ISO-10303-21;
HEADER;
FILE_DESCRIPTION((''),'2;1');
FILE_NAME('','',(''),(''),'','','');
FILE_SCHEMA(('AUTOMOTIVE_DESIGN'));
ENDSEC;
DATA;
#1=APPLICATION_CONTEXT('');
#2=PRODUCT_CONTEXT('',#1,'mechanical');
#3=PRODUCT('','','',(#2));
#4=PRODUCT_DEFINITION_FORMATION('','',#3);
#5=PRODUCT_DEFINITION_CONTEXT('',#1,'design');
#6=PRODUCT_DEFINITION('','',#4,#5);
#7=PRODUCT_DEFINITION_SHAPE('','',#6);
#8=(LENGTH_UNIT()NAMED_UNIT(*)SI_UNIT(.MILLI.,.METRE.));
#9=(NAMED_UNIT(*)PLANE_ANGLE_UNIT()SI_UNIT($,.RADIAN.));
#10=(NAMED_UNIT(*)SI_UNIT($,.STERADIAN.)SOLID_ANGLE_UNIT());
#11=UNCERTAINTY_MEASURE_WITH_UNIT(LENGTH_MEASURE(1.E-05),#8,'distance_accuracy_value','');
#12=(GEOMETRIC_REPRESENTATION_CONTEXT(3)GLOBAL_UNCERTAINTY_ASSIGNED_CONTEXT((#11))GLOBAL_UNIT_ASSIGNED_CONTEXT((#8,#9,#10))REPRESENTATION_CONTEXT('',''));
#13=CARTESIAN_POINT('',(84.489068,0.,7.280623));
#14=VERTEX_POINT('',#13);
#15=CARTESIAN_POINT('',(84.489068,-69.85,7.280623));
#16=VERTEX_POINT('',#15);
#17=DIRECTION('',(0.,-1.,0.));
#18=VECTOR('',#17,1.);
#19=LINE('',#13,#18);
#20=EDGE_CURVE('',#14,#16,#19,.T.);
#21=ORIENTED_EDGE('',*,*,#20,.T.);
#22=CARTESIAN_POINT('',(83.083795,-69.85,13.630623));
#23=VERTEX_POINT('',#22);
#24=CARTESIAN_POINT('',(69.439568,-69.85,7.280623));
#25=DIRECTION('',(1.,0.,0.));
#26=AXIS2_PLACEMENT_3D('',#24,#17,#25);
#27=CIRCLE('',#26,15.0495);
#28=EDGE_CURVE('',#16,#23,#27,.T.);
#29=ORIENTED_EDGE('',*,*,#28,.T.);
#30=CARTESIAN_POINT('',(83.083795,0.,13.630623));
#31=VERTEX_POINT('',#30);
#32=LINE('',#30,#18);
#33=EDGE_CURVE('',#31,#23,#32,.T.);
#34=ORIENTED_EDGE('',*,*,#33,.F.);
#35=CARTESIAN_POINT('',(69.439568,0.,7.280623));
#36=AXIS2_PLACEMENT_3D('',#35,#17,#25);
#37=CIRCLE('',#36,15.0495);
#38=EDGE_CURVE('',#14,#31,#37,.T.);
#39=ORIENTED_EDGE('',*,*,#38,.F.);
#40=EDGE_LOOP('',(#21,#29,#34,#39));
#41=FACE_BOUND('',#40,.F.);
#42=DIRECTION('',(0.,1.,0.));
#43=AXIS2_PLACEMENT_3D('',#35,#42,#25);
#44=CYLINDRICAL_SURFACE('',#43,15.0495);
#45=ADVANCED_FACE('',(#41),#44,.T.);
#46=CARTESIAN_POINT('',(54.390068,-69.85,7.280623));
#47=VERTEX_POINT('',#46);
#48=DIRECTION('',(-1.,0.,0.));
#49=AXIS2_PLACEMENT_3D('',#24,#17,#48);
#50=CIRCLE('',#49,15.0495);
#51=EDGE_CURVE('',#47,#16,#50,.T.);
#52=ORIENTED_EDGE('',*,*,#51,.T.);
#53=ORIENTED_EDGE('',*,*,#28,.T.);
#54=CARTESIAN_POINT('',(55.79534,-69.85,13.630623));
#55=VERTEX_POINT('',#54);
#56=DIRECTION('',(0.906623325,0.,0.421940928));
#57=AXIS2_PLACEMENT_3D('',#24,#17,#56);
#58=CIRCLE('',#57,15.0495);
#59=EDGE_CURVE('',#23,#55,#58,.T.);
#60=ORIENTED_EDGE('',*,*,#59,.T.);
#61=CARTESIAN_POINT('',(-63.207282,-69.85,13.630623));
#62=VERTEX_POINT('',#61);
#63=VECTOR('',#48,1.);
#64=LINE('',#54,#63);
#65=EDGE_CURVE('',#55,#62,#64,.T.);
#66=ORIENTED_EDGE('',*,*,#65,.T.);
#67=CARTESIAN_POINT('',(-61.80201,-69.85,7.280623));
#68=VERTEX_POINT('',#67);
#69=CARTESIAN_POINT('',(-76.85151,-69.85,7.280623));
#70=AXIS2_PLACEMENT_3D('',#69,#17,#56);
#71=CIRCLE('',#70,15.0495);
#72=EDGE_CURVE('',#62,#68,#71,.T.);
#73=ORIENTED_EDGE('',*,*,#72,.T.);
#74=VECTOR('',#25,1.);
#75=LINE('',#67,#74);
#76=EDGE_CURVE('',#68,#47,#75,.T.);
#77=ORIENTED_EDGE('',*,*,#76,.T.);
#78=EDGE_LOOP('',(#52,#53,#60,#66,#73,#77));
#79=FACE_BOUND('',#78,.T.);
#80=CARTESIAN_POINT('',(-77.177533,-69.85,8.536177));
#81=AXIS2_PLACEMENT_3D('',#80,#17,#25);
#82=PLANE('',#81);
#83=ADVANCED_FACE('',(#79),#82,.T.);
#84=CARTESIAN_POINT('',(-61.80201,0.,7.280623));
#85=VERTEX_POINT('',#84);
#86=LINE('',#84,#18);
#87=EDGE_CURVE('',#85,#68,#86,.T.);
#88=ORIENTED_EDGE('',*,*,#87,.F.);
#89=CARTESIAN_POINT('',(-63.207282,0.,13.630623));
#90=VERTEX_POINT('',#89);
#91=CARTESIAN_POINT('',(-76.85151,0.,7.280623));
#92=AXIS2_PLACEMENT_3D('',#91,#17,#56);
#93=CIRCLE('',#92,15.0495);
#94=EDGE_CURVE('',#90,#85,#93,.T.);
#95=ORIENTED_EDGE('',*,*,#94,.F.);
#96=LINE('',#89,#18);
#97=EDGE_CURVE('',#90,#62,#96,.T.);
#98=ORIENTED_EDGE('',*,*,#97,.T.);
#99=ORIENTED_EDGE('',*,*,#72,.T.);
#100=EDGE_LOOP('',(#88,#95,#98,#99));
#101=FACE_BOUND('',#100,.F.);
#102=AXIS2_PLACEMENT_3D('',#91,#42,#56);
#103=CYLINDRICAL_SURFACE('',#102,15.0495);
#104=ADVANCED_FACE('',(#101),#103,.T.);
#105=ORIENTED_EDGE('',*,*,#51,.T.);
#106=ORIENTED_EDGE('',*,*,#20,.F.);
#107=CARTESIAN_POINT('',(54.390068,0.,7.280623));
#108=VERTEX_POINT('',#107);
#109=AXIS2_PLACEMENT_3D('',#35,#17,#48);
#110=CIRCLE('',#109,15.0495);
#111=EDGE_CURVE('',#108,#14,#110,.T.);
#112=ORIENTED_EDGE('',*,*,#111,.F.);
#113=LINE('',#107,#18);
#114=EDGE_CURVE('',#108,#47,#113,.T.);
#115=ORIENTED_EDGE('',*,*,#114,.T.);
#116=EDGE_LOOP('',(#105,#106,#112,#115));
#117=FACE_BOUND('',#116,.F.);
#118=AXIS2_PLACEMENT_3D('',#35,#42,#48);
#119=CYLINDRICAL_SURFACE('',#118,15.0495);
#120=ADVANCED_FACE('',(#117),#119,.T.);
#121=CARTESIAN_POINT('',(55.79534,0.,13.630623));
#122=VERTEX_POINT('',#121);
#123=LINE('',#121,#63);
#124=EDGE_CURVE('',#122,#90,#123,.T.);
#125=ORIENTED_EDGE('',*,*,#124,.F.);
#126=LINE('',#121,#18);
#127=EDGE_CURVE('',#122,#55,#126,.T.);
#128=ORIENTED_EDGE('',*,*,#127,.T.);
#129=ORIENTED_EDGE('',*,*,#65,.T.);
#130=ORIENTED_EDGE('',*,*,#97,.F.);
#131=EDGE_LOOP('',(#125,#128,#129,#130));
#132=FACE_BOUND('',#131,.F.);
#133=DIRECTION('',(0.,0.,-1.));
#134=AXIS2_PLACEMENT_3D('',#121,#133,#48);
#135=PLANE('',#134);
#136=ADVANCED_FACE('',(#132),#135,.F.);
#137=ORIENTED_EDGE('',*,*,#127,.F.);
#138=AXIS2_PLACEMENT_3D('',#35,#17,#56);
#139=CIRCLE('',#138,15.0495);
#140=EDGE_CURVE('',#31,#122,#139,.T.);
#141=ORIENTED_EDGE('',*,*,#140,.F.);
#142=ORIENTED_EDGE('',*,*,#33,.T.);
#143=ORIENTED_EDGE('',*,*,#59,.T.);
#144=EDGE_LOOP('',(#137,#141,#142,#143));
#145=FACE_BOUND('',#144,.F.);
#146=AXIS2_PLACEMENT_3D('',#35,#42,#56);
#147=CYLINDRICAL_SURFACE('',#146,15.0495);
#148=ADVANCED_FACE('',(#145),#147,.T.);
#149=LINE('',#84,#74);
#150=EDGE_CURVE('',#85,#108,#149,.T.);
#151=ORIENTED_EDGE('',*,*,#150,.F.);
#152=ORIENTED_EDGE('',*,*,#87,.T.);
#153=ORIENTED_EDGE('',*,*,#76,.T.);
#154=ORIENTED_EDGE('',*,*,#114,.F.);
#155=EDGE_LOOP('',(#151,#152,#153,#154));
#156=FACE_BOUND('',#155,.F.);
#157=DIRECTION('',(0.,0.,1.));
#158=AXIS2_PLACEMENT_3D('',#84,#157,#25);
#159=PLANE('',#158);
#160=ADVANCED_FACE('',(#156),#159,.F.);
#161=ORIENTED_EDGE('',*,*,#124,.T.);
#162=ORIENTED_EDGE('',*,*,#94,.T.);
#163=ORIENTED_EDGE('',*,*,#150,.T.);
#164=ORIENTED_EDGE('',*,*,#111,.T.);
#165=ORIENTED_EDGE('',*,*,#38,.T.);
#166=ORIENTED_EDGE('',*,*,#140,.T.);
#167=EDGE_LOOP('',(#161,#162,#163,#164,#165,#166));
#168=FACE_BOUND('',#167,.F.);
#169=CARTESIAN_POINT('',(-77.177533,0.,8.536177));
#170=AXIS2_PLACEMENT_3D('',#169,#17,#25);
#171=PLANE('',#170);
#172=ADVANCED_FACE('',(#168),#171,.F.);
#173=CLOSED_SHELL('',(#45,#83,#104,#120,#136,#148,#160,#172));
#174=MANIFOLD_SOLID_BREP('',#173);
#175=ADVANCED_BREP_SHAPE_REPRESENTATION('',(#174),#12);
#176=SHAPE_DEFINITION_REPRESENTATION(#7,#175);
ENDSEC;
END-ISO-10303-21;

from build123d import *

# Parameters (mm, degrees)
F1_DEPTH = 69.85


with BuildPart() as f1:
    # F0 (on Front) → F1 (new body)
    with BuildSketch(Plane.XZ):
        with BuildLine():
            Line((-88.0228281021, 7.2806230746), (-88.0228281021, 13.6306230746))
            Line((-88.0228281021, 13.6306230746), (-63.2072817851, 13.6306230746))
            ThreePointArc((-63.2072817851, 13.6306230746), (-91.5454922156, 4.0288047309), (-61.8020095115, 7.2806230746))
            Line((-61.8020095115, 7.2806230746), (-88.0228281021, 7.2806230746))
        make_face()
        with BuildLine():
            Line((-63.2072817851, 13.6306230746), (-88.0228281021, 13.6306230746))
            Line((-88.0228281021, 13.6306230746), (-88.0228281021, 7.2806230746))
            Line((-88.0228281021, 7.2806230746), (-61.8020095115, 7.2806230746))
            ThreePointArc((-61.8020095115, 7.2806230746), (-62.1575268073, 10.5324414184), (-63.2072817851, 13.6306230746))
        make_face()
        with BuildLine():
            Line((55.7953398991, 13.6306230746), (-63.2072817851, 13.6306230746))
            ThreePointArc((-63.2072817851, 13.6306230746), (-62.1575268073, 10.5324414184), (-61.8020095115, 7.2806230746))
            Line((-61.8020095115, 7.2806230746), (54.3900676255, 7.2806230746))
            ThreePointArc((54.3900676255, 7.2806230746), (54.7455849214, 10.5324414184), (55.7953398991, 13.6306230746))
        make_face()
        with BuildLine():
            ThreePointArc((83.0837953519, 13.6306230746), (69.4395676255, 22.3301230746), (55.7953398991, 13.6306230746))
            Line((55.7953398991, 13.6306230746), (83.0837953519, 13.6306230746))
        make_face()
        with BuildLine():
            Line((83.0837953519, 13.6306230746), (55.7953398991, 13.6306230746))
            ThreePointArc((55.7953398991, 13.6306230746), (54.7455849214, 10.5324414184), (54.3900676255, 7.2806230746))
            Line((54.3900676255, 7.2806230746), (84.4890676255, 7.2806230746))
            ThreePointArc((84.4890676255, 7.2806230746), (84.1335503297, 10.5324414184), (83.0837953519, 13.6306230746))
        make_face()
        with BuildLine():
            Line((84.4890676255, 7.2806230746), (54.3900676255, 7.2806230746))
            ThreePointArc((54.3900676255, 7.2806230746), (69.4395676255, -7.7688769254), (84.4890676255, 7.2806230746))
        make_face()
    extrude(amount=F1_DEPTH)


solid = f1.part
